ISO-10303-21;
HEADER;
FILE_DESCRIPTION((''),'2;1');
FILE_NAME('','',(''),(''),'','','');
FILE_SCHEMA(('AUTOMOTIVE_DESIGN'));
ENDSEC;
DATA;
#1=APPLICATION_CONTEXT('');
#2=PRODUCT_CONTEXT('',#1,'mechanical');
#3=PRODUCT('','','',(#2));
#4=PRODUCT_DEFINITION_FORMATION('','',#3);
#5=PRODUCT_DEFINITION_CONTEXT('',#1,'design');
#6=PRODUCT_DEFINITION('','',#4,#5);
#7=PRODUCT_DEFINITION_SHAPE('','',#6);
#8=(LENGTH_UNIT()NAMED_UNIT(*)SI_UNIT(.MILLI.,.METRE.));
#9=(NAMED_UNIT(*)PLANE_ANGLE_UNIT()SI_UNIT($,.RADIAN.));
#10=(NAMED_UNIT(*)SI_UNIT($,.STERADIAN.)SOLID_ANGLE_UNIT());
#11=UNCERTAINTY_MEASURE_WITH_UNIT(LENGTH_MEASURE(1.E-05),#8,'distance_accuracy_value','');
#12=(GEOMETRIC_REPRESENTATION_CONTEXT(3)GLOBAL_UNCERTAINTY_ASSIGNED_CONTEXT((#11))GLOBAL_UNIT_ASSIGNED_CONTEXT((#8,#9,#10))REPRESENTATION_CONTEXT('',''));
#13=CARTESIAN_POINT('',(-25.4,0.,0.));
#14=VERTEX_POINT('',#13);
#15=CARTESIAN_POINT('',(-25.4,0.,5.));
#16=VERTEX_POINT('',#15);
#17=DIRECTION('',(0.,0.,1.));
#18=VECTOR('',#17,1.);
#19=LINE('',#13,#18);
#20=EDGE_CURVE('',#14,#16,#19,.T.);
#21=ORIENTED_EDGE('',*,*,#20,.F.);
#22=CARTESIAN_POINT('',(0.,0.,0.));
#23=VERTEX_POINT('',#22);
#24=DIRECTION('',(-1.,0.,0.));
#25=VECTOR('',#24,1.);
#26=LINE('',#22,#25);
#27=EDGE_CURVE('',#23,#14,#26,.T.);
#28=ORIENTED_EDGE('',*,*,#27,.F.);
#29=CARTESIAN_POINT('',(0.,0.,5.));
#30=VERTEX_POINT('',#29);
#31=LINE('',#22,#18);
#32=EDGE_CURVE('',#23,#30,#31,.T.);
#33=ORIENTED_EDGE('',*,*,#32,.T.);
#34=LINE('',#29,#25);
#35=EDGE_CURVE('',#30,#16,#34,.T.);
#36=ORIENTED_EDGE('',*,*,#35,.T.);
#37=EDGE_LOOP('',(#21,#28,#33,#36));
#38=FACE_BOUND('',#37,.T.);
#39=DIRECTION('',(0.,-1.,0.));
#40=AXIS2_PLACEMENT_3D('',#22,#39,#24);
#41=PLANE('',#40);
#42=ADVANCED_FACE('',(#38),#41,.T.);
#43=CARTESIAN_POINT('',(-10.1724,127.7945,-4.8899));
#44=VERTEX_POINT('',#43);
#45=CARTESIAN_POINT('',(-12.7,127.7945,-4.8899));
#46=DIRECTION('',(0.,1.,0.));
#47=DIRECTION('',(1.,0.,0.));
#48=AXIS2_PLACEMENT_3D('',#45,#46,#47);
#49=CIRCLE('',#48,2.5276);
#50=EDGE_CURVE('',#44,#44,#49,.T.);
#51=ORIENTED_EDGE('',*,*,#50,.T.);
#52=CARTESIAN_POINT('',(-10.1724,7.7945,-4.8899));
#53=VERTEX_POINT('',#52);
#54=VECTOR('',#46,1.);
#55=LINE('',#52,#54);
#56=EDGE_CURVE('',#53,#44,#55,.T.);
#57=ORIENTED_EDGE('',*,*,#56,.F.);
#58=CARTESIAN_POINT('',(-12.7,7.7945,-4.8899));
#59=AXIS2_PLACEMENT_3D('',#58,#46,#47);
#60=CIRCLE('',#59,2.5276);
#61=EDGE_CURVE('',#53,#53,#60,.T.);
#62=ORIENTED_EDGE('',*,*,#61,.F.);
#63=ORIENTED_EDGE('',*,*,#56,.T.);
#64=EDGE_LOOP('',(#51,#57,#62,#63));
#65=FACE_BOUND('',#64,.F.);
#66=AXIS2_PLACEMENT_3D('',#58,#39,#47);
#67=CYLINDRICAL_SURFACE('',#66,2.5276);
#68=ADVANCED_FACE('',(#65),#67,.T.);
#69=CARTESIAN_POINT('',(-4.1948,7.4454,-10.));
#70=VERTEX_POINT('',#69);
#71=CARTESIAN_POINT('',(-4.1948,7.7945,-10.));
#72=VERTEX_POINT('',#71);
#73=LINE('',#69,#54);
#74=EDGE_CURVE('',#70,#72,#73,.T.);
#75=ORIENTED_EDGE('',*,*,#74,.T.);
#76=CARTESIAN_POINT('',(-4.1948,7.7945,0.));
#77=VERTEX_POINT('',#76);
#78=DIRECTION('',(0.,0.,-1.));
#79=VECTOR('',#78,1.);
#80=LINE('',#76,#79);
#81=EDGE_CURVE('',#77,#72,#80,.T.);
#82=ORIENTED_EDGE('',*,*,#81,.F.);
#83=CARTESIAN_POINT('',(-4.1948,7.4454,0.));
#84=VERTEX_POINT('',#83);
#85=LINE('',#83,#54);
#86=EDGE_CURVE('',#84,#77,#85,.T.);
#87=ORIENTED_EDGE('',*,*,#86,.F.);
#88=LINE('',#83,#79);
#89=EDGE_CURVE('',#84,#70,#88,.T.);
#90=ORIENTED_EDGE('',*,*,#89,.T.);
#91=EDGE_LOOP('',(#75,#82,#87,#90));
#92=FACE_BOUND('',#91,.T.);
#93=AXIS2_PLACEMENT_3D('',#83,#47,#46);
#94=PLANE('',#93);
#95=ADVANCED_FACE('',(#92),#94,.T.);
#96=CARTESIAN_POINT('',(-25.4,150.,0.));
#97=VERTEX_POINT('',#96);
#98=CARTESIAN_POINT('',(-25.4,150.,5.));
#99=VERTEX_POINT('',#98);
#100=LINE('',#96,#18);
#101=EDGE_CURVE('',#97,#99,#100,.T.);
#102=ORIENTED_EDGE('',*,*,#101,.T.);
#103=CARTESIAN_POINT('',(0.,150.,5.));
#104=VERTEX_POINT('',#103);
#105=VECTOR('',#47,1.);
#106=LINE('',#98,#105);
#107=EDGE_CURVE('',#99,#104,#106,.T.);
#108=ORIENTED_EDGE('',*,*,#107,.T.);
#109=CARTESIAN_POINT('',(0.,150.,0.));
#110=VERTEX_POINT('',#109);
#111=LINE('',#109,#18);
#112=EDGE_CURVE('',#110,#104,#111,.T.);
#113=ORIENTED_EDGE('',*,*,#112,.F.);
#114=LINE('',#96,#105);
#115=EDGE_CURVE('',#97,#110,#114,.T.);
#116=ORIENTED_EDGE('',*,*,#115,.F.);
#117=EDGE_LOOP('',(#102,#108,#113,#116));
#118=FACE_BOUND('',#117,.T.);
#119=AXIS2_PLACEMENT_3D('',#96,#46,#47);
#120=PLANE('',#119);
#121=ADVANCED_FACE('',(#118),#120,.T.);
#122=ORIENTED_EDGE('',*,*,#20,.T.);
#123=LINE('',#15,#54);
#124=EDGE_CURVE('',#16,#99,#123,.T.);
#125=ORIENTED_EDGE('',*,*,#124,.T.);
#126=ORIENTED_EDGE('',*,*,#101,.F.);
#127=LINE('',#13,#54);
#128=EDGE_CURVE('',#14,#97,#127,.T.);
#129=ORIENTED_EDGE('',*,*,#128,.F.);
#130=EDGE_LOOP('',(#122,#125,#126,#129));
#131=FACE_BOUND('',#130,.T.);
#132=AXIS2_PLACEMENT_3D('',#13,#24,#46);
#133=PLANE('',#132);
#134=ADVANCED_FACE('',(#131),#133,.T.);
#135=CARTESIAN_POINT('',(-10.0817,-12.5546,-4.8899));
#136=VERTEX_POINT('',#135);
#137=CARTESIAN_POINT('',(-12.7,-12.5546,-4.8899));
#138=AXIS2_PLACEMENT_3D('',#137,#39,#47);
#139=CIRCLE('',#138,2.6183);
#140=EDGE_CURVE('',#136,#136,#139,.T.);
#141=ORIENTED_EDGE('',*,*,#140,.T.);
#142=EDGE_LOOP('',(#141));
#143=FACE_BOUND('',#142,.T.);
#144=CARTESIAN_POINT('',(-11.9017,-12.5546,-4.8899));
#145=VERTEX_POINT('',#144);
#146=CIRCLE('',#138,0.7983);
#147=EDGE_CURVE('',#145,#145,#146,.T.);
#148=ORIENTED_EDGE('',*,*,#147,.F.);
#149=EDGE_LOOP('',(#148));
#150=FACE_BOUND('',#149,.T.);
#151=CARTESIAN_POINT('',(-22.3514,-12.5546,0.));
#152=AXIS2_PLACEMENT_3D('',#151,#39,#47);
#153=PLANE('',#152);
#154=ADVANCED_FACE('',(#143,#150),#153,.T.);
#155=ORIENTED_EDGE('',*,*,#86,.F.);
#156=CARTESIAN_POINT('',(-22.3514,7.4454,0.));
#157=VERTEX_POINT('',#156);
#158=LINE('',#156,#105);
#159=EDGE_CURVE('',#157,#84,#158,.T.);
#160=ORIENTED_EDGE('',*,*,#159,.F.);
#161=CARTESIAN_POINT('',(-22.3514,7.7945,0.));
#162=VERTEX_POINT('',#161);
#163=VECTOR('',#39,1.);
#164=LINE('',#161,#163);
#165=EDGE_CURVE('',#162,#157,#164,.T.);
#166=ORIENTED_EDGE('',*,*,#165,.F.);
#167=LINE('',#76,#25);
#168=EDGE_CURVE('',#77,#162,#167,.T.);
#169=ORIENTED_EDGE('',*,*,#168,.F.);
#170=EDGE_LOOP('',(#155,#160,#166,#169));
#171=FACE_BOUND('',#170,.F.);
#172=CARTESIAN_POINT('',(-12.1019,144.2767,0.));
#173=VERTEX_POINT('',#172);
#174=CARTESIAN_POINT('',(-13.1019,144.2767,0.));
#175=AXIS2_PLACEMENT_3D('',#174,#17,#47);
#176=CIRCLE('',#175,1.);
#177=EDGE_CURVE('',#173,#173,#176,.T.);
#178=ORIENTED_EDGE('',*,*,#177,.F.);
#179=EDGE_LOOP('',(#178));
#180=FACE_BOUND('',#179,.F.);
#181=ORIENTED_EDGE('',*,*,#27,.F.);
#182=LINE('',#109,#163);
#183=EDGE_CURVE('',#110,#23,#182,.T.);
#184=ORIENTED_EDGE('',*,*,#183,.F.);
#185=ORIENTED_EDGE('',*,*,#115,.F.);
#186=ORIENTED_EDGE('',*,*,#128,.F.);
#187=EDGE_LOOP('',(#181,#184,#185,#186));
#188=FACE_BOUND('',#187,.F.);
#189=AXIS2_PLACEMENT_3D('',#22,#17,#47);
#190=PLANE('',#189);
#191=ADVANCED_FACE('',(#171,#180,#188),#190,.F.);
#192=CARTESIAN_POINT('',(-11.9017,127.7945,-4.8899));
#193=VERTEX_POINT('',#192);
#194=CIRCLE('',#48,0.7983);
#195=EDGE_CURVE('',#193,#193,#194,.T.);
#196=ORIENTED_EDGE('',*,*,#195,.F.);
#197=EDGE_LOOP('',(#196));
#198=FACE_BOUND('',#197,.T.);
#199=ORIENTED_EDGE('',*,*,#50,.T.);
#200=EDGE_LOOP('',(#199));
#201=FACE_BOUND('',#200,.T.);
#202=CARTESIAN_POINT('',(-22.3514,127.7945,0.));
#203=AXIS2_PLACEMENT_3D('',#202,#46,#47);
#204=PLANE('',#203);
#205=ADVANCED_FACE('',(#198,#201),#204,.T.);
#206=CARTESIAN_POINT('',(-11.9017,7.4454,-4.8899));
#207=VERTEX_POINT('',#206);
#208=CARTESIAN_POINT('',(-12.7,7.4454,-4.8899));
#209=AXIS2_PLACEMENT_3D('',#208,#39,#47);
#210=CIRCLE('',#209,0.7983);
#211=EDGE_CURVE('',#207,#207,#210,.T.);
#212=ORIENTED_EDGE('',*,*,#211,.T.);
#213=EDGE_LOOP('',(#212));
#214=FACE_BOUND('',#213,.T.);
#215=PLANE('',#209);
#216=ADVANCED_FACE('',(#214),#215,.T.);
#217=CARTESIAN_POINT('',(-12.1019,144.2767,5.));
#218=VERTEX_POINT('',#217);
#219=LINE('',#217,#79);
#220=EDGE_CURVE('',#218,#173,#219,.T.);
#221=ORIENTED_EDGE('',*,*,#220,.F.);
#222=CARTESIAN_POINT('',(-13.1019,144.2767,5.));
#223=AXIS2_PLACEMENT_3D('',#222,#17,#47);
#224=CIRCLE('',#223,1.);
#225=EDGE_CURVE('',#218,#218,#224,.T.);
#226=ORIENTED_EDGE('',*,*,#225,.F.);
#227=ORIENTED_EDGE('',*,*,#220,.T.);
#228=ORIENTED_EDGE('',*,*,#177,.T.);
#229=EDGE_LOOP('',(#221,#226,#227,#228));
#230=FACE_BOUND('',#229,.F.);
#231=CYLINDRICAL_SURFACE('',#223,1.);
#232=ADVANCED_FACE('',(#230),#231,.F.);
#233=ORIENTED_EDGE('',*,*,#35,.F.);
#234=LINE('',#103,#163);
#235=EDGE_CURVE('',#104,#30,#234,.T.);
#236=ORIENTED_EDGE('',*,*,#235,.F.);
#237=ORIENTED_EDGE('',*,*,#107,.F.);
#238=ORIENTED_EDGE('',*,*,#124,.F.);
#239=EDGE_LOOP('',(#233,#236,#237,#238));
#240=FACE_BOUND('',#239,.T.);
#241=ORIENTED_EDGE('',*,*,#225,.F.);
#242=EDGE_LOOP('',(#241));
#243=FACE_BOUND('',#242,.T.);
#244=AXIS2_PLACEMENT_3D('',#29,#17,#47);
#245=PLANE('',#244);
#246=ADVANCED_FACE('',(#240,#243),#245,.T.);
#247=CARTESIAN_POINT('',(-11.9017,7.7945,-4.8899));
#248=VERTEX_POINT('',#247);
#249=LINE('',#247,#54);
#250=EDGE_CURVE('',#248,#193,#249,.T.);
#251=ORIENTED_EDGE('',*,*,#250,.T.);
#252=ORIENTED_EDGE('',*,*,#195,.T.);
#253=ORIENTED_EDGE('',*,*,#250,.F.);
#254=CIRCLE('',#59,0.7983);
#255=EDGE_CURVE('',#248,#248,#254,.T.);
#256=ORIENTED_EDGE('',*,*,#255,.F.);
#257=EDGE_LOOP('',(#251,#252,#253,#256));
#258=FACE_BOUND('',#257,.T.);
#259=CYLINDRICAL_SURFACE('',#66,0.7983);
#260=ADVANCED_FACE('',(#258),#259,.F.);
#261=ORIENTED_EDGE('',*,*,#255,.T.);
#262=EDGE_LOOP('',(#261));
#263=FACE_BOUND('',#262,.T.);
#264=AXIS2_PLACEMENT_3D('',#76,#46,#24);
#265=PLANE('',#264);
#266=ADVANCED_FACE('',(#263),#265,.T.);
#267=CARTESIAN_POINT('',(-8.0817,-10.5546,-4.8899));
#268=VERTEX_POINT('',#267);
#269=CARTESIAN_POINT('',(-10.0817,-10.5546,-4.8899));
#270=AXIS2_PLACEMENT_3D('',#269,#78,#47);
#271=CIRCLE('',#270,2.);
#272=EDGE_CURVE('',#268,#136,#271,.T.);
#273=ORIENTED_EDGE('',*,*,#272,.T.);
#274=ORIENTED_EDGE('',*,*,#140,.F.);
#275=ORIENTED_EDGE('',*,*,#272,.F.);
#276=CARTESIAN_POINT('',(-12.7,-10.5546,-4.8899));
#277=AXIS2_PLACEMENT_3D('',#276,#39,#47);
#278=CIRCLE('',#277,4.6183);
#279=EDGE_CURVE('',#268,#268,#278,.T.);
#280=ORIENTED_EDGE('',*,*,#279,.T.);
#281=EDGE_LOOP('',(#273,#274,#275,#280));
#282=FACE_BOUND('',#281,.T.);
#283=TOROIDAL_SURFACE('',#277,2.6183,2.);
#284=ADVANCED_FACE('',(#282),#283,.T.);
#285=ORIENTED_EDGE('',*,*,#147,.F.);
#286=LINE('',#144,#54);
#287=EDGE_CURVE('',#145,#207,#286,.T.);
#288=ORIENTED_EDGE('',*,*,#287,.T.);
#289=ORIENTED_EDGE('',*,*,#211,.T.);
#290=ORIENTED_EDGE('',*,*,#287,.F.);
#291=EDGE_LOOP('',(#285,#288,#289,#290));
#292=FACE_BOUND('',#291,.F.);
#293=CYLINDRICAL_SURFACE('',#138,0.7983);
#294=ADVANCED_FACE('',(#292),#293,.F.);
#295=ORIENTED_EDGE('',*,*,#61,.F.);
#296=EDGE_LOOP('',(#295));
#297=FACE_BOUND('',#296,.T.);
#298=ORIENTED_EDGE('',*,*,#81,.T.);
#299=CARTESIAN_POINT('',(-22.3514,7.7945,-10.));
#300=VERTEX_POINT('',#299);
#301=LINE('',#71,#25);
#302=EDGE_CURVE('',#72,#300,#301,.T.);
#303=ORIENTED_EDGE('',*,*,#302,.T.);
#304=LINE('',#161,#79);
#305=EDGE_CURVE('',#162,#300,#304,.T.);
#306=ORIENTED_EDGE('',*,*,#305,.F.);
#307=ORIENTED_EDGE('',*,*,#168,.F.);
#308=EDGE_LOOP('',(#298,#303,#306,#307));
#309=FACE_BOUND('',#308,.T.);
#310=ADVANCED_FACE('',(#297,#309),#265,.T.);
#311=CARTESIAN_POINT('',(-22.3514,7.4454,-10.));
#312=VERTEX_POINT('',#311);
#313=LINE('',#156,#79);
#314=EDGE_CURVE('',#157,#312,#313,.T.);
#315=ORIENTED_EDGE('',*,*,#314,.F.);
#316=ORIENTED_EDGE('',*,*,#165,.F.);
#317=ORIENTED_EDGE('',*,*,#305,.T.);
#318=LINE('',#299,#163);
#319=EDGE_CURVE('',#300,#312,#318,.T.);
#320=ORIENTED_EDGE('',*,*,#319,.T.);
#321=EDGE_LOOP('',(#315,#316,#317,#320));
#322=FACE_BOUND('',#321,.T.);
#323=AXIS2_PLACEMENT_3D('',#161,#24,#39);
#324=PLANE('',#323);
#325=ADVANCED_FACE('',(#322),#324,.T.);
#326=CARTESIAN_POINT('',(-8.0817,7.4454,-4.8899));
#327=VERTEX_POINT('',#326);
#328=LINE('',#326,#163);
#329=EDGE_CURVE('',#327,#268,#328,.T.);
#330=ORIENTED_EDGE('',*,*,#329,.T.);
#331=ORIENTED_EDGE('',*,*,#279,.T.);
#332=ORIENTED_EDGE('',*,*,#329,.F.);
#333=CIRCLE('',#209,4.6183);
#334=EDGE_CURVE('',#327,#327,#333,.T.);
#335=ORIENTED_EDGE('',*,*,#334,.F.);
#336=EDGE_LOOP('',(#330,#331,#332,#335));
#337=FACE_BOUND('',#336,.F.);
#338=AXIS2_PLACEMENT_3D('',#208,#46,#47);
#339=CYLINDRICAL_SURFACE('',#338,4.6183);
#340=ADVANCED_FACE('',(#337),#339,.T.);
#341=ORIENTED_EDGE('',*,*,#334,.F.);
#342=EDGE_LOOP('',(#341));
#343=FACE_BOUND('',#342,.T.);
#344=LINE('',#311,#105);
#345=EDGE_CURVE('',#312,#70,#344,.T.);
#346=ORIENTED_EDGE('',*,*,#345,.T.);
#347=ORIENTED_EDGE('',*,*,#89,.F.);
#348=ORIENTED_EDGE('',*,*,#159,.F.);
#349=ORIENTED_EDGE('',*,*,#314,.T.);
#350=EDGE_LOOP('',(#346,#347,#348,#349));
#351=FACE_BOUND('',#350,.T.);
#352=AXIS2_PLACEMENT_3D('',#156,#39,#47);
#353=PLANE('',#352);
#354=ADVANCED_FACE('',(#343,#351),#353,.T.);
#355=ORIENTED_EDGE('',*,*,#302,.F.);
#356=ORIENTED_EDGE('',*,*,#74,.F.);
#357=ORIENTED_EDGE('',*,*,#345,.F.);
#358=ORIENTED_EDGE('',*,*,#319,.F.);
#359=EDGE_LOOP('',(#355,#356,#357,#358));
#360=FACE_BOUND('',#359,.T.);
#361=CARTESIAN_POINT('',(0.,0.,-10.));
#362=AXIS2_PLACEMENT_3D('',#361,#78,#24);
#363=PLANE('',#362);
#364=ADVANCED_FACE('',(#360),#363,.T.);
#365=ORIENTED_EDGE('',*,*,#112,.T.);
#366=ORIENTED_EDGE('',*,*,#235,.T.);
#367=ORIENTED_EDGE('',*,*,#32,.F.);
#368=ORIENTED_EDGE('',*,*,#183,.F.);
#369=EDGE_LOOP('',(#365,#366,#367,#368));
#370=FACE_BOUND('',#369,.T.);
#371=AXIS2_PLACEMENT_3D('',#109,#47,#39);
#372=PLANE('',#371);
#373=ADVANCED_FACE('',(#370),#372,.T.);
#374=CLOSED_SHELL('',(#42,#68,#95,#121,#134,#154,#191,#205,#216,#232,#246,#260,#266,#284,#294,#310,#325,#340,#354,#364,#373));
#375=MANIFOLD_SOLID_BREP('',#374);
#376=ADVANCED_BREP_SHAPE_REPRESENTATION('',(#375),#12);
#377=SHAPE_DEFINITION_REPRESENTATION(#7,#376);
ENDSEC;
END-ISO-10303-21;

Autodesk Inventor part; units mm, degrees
ref_plane "YZ Plane" through (0, 0, 0) normal (1, 0, 0) x (0, 1, 0)
ref_plane "XZ Plane" through (0, 0, 0) normal (0, 1, 0) x (-1, 0, 0)
ref_plane "XY Plane" through (0, 0, 0) normal (0, 0, 1) x (1, 0, 0)
sketch "Sketch1" plane through (0, 0, 0) normal (0, 0, 1) x (1, 0, 0)
  line L0 (0, 0) -> (-25.4, 0)
  line L1 (-25.4, 0) -> (-25.4, 150)
  line L2 (-25.4, 150) -> (0, 150)
  line L3 (0, 150) -> (0, 0)
  dimension "d0" = 25.4
  dimension "d1" = 150
extrude "Extrusion1" add sketch "Sketch1" along normal blind 5
sketch "Sketch2" plane through (0, 0, 0) normal (0, 0, -1) x (-1, 0, 0)
  point P0 (0, 0)
sketch "Sketch3" plane through (0, 0, 0) normal (0, 0, -1) x (-1, 0, 0)
  line L0 (4.1948, 7.7945) -> (22.3514, 7.7945)
  line L1 (22.3514, 7.7945) -> (22.3514, 7.4454)
  line L2 (22.3514, 7.4454) -> (4.1948, 7.4454)
  line L3 (4.1948, 7.4454) -> (4.1948, 7.7945)
  point P0 (0, 0)
extrude "Extrusion2" add sketch "Sketch3" along normal blind 10
sketch "Sketch4" plane through (-22.3514, 7.4454, 0) normal (0, -1, 0) x (1, 0, 0)
  circle A0 centre (9.6514, -4.8899) radius 4.6183
  point P0 (22.3514, 0)
extrude "Extrusion3" add sketch "Sketch4" along normal blind 20
fillet "Fillet1" radius 2 1 edges at (-17.3183, -12.5546, -4.8899)
sketch "Sketch5" plane through (-12.7, -12.5546, -4.8899) normal (0, -1, 0) x (1, 0, 0)
  circle A0 centre (0, 0) radius 2.6183 projected
  circle A1 centre (0, 0) radius 0.7983
  point P0 (12.7, 4.8899)
extrude "Extrusion4" cut sketch "Sketch5" against normal blind 20 contours A1
sketch "Sketch6" plane through (0, 0, 5) normal (0, 0, 1) x (1, 0, 0)
  circle A0 centre (-13.1019, 144.2767) radius 1
  point P0 (0, 0)
  dimension "d11" = 2
extrude "Extrusion5" cut sketch "Sketch6" against normal blind 20
sketch "Sketch7" plane through (-22.3514, 7.7945, 0) normal (0, 1, 0) x (1, 0, 0)
  circle A0 centre (9.6514, 4.8899) radius 0.7983 projected
  circle A1 centre (9.6514, 4.8899) radius 2.5276
  point P0 (22.3514, 0)
extrude "Extrusion6" add sketch "Sketch7" along normal blind 120
properties part number "spray"
